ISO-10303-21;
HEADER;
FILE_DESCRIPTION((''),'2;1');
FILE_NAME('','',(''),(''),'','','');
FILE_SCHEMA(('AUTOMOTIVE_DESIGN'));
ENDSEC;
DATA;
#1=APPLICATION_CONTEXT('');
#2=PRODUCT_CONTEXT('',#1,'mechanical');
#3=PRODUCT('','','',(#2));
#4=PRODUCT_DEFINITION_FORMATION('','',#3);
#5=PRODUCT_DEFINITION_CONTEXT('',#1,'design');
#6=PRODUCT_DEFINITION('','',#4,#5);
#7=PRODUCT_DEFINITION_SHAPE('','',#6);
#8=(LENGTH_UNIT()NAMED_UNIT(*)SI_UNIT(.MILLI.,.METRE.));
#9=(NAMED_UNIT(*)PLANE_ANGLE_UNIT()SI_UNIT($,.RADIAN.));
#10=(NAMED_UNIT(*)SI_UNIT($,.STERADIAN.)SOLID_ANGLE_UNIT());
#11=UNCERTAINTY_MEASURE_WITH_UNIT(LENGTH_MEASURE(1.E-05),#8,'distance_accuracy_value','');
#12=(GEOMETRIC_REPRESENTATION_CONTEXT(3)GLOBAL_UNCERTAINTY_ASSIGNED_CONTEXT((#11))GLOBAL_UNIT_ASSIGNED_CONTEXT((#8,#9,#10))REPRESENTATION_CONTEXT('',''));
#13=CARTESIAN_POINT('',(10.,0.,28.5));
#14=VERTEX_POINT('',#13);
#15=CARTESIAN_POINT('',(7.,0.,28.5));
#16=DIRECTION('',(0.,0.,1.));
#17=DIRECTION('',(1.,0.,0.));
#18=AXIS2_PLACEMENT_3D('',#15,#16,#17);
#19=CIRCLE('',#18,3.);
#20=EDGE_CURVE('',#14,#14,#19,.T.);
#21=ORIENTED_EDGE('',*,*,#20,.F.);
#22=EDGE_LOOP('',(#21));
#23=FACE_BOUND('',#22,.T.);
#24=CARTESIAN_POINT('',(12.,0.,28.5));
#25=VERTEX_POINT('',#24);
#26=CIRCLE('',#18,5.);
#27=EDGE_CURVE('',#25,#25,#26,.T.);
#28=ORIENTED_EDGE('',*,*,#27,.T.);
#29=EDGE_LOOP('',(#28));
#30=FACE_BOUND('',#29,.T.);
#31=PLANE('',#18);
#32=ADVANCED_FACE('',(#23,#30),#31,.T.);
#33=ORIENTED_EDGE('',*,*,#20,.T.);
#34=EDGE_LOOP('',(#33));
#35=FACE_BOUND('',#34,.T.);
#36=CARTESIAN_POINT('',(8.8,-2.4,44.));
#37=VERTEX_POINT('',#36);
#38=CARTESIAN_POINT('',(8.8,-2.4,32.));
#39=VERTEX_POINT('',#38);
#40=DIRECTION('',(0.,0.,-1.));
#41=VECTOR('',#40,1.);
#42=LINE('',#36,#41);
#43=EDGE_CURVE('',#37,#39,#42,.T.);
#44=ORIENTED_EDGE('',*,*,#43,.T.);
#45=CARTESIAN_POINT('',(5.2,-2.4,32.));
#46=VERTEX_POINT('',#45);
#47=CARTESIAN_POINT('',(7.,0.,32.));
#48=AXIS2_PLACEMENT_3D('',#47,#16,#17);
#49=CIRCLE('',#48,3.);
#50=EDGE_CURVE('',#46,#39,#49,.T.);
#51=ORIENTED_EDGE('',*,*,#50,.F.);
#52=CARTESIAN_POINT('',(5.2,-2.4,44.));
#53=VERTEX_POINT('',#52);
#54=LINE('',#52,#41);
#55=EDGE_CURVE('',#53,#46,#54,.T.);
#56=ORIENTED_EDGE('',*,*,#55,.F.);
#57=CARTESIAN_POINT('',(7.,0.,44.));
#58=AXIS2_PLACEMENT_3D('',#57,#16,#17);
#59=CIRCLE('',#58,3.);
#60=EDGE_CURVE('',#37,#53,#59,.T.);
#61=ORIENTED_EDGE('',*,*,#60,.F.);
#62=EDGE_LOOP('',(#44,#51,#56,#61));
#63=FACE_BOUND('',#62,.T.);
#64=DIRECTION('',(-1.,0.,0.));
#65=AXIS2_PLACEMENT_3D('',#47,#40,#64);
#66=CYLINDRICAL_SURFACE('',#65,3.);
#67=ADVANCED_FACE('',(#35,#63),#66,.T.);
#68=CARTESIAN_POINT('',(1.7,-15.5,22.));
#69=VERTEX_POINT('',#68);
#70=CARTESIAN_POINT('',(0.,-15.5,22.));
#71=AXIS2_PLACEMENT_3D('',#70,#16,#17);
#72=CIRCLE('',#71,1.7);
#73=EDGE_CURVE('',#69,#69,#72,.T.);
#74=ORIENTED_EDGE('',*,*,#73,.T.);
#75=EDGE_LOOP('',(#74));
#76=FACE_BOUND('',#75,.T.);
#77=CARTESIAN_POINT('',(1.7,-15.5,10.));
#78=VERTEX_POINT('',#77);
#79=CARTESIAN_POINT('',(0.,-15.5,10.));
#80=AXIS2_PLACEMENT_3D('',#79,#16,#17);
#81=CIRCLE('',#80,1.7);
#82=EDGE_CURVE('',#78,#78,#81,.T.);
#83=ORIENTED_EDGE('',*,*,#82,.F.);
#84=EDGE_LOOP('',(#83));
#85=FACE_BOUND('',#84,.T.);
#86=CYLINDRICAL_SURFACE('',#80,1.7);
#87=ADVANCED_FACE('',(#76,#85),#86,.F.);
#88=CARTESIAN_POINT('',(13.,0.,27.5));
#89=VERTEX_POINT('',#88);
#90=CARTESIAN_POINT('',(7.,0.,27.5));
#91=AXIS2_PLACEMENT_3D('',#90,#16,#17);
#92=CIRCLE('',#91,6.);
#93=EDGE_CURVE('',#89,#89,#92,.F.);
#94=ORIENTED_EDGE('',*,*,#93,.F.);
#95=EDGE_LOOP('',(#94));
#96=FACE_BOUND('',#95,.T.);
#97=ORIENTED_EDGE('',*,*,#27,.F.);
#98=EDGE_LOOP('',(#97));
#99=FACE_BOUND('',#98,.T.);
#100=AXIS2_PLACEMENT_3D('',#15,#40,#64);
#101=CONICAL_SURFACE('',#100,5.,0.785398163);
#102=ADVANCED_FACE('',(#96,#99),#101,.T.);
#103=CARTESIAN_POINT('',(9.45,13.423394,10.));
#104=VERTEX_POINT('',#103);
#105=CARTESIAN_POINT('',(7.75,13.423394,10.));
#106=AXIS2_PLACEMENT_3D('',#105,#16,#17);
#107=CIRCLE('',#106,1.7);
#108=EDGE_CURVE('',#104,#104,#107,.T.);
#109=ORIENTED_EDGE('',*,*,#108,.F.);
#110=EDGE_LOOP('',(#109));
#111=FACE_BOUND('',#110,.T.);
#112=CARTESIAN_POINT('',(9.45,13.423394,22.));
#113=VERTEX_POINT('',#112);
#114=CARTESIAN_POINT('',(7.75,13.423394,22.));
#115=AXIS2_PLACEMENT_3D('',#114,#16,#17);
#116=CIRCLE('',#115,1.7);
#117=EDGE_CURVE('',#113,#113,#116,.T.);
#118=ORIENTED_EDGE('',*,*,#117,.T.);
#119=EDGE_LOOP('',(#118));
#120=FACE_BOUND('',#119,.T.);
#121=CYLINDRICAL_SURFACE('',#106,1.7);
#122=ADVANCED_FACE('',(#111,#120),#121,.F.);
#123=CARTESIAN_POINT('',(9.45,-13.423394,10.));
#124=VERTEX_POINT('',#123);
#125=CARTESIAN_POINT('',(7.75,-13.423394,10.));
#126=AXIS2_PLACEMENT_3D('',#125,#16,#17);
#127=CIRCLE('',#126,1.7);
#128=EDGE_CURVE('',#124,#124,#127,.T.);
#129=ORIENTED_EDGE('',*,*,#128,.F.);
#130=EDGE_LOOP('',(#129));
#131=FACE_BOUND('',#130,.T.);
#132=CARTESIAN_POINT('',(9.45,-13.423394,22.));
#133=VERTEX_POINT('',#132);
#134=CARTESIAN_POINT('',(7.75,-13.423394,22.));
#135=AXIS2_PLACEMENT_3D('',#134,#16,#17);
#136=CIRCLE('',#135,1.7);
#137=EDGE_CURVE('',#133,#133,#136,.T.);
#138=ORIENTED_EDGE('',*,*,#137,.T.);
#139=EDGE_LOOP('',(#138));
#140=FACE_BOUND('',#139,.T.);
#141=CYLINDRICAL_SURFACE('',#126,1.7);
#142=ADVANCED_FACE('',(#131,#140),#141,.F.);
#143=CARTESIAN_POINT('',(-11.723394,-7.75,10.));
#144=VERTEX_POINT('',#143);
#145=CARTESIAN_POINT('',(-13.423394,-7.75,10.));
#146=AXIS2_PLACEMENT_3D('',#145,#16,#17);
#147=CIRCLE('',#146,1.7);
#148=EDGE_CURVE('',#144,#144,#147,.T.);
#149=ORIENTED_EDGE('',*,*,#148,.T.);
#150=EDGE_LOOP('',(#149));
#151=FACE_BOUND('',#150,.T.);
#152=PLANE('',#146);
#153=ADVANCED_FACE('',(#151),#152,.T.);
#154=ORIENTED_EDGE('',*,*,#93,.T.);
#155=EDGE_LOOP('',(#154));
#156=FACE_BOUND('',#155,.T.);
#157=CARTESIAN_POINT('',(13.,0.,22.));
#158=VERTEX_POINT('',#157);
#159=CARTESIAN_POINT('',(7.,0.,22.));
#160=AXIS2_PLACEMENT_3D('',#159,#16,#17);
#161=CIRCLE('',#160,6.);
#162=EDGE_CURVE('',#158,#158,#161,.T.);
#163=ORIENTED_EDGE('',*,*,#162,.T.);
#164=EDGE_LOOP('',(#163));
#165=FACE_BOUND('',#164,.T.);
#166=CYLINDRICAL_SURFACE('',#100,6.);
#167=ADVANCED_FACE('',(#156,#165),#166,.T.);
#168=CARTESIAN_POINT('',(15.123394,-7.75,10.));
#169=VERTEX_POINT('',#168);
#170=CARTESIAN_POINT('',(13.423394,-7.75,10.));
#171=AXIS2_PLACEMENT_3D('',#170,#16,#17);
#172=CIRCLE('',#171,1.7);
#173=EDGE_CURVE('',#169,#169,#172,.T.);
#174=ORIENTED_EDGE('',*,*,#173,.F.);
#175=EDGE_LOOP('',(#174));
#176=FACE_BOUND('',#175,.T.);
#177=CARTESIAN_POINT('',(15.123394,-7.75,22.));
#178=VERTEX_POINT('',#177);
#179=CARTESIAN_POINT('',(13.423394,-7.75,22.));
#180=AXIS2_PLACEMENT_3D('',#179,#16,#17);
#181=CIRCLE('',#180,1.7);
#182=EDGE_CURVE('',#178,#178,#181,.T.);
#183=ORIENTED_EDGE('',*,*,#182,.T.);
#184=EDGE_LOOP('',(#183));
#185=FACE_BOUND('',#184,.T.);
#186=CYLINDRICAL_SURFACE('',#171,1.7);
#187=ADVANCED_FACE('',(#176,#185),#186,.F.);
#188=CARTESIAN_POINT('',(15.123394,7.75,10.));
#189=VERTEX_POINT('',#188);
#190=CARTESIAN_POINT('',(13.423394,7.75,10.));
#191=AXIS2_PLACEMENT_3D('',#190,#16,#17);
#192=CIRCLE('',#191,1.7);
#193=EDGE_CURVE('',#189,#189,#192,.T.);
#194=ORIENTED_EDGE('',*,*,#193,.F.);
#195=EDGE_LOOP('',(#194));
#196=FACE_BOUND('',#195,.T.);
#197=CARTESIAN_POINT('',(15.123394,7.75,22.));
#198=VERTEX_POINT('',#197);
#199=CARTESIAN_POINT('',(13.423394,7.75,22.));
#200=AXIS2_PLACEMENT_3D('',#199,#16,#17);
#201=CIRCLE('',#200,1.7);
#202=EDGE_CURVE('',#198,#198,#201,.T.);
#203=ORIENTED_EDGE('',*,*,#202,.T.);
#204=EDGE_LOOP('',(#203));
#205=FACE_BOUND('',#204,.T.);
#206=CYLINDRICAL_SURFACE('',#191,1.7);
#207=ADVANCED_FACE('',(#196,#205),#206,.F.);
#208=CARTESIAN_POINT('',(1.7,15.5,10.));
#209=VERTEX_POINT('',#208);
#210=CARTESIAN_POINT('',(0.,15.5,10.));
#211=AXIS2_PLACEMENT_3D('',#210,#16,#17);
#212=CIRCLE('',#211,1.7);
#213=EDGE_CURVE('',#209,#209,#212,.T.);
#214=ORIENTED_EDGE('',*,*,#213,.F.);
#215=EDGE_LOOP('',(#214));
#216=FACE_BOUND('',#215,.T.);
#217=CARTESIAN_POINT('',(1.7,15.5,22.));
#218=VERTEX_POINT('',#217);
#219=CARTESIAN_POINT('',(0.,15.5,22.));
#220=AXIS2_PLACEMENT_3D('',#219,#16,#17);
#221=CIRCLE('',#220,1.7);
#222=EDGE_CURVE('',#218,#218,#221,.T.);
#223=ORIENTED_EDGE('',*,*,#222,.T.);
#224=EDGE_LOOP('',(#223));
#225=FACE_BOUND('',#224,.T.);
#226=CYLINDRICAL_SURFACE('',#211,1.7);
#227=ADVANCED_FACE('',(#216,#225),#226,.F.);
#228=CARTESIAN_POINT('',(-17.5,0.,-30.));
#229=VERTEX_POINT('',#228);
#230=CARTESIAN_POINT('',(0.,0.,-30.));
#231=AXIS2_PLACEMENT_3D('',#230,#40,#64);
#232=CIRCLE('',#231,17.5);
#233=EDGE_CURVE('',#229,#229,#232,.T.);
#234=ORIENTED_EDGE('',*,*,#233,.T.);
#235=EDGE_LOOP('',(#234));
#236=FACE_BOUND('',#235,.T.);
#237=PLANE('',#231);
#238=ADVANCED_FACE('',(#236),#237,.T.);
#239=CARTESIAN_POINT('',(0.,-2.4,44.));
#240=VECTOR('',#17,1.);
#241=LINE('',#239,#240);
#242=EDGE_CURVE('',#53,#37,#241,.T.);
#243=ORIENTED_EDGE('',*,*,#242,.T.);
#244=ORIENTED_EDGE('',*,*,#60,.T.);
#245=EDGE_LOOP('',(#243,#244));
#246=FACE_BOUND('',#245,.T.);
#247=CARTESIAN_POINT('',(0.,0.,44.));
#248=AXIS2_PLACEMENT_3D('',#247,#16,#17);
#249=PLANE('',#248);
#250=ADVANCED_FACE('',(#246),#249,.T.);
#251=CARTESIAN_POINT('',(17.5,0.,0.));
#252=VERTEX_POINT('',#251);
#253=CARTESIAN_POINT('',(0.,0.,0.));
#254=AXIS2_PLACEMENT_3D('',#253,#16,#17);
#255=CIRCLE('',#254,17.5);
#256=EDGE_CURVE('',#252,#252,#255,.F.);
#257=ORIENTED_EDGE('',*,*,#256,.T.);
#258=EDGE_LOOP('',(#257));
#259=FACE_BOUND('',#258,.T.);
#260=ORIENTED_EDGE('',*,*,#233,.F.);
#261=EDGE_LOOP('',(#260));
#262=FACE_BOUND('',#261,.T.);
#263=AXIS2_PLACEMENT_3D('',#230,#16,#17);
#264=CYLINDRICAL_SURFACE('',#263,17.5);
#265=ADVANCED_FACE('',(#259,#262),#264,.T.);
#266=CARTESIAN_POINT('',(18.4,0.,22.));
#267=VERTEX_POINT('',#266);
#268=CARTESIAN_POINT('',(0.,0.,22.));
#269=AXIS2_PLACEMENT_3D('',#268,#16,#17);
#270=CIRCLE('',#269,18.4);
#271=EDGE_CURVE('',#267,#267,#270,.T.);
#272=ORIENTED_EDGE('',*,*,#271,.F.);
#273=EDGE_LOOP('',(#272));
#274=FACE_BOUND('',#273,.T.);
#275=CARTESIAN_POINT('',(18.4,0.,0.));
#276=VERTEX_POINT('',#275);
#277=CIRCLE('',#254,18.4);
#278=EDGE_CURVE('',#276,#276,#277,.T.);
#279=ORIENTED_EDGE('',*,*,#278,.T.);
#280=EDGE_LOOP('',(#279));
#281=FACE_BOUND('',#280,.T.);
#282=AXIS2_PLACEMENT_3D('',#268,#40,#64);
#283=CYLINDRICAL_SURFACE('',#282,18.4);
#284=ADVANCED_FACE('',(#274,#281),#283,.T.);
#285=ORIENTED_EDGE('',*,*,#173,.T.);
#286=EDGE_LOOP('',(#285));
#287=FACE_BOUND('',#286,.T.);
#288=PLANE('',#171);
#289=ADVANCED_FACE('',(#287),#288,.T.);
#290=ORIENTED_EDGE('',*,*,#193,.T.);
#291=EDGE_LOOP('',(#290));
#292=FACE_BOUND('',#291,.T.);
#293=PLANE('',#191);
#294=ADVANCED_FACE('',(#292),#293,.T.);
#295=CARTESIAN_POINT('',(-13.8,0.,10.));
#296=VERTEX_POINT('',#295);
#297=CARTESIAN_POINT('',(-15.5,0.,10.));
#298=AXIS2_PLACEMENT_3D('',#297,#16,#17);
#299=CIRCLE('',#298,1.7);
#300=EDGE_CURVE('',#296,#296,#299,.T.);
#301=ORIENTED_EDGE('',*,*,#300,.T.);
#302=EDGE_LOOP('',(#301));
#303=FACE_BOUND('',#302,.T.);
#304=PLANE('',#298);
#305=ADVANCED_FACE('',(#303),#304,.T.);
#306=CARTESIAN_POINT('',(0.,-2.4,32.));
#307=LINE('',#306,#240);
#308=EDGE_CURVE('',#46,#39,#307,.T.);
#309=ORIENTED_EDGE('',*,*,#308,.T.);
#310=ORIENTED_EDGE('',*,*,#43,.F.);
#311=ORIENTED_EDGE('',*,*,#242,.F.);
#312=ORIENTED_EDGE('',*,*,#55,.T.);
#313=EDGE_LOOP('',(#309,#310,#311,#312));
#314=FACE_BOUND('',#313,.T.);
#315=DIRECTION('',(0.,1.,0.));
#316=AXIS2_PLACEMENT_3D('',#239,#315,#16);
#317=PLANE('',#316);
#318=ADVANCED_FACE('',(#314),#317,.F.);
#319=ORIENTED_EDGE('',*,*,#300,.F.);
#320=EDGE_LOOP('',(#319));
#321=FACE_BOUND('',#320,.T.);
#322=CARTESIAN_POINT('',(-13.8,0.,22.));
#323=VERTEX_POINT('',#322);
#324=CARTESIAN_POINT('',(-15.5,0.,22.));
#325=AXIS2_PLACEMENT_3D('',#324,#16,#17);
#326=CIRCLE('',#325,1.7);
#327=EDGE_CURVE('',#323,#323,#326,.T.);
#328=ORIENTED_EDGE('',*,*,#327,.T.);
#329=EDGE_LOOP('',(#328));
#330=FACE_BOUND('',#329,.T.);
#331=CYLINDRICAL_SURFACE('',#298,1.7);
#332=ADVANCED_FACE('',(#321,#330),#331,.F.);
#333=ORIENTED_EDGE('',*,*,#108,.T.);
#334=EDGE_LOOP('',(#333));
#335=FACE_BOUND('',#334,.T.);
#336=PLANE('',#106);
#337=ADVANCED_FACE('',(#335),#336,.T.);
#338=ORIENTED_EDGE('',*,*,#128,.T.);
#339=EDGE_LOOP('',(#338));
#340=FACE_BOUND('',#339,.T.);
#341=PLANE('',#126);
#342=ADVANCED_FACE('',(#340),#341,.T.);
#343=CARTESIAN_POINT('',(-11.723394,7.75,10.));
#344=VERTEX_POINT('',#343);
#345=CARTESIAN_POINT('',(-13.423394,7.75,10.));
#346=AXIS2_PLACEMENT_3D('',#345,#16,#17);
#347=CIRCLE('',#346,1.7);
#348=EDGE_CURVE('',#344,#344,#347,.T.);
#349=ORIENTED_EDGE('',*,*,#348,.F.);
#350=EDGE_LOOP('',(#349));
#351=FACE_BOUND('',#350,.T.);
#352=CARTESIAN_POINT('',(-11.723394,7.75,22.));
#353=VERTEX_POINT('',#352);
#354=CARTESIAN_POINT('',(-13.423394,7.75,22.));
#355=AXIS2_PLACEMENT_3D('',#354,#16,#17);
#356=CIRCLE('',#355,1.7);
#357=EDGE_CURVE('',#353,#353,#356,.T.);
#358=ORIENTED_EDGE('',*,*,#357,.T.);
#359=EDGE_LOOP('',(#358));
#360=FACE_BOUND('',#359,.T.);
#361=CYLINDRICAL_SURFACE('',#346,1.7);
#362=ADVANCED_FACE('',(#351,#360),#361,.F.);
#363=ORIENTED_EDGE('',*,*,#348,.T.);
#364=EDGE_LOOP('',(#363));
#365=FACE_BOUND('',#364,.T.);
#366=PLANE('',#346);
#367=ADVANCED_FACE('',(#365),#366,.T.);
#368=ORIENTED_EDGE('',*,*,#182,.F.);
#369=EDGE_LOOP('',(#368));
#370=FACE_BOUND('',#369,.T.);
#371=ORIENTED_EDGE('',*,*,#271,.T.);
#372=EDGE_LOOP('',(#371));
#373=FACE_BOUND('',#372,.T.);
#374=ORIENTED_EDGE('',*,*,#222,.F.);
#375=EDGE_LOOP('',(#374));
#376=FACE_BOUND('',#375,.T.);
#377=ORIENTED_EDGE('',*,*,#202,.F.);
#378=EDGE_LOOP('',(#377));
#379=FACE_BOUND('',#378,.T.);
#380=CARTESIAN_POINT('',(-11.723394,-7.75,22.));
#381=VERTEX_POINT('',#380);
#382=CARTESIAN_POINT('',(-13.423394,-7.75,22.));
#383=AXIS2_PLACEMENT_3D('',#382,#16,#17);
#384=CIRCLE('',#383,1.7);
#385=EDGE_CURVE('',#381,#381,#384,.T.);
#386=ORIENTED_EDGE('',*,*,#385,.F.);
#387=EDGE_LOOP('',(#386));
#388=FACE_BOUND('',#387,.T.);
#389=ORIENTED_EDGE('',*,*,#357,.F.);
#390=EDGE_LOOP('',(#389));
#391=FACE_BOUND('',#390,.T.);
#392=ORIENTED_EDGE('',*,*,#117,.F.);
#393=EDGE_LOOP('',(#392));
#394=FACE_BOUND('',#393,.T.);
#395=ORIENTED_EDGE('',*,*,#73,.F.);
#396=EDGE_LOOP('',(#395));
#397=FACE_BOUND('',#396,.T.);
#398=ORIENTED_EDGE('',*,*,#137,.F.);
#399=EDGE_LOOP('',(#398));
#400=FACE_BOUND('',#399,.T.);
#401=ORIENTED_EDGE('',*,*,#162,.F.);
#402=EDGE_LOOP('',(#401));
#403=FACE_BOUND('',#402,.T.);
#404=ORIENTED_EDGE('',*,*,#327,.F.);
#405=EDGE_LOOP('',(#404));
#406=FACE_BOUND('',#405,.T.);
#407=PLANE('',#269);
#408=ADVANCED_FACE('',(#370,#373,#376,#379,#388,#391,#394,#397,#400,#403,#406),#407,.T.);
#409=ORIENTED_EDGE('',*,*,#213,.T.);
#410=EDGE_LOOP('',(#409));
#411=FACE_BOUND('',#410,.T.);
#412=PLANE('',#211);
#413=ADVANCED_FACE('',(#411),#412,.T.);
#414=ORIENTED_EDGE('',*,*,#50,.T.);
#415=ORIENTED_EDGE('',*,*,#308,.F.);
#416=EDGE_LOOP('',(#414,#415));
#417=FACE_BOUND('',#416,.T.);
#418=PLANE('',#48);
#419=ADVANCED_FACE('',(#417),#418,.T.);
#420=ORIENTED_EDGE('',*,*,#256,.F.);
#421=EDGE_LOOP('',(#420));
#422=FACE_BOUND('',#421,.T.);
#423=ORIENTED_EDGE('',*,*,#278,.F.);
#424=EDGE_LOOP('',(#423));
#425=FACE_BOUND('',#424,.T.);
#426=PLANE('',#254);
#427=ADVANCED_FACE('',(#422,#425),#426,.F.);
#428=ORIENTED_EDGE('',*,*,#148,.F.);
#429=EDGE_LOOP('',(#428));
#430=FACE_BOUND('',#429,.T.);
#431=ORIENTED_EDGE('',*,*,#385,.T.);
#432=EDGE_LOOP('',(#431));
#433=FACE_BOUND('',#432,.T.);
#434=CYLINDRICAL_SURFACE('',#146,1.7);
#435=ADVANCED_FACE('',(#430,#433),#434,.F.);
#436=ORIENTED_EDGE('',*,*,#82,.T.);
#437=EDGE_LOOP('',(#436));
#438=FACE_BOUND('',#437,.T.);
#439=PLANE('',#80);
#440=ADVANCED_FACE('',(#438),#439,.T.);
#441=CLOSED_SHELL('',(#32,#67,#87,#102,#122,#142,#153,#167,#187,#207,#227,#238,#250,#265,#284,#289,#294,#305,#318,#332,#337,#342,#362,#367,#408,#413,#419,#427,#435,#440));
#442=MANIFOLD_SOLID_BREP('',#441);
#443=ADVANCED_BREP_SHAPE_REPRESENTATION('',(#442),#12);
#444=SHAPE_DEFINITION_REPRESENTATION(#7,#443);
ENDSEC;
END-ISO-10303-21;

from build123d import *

# Parameters (mm, degrees)
SKETCH1_R           = 18.4
BOSS_EXTRUDE1_DEPTH = 22
SKETCH2_R           = 17.5
BOSS_EXTRUDE2_DEPTH = 30
SKETCH3_R           = 6
BOSS_EXTRUDE4_DEPTH = 6.5
CHAMFER1_SIZE       = 1
SKETCH4_R           = 3
BOSS_EXTRUDE5_DEPTH = 3.5
BOSS_EXTRUDE6_DEPTH = 12
SKETCH6_R           = 1.7
CUT_EXTRUDE1_DEPTH  = 12


with BuildPart() as part:
    # Sketch1 → Boss-Extrude1 (new body)
    with BuildSketch(Plane.XY):
        Circle(SKETCH1_R)
    extrude(amount=BOSS_EXTRUDE1_DEPTH)

    # Sketch2 → Boss-Extrude2 (add)
    with BuildSketch(Plane(origin=(0, 0, 0), x_dir=(-1, 0, 0), z_dir=(0, 0, -1))):
        Circle(SKETCH2_R)
    extrude(amount=BOSS_EXTRUDE2_DEPTH)

    # Sketch3 → Boss-Extrude4 (add)
    with BuildSketch(Plane.XY.offset(22)):
        with Locations((7, 0)):
            Circle(SKETCH3_R)
    extrude(amount=BOSS_EXTRUDE4_DEPTH)

    # Chamfer1
    chamfer1_edges = [part.edges().sort_by_distance(p)[0] for p in [
        (1, 0, 28.5),
    ]]
    chamfer(chamfer1_edges, length=CHAMFER1_SIZE)

    # Sketch4 → Boss-Extrude5 (add)
    with BuildSketch(Plane.XY.offset(28.5)):
        with Locations((7, 0)):
            Circle(SKETCH4_R)
    extrude(amount=BOSS_EXTRUDE5_DEPTH)

    # Sketch5 → Boss-Extrude6 (add)
    with BuildSketch(Plane.XY.offset(32)):
        with BuildLine():
            ThreePointArc((10, 0), (5.658359214, 2.683281573), (5.2, -2.4))
            Line((5.2, -2.4), (8.8, -2.4))
            ThreePointArc((8.8, -2.4), (9.683281573, -1.341640786), (10, 0))
        make_face()
    extrude(amount=BOSS_EXTRUDE6_DEPTH)

    # Sketch6 → Cut-Extrude1 (cut)
    with BuildSketch(Plane.XY.offset(22)):
        with Locations((0, 15.5)):
            Circle(SKETCH6_R)
        with Locations((13.423393759, 7.75)):
            Circle(SKETCH6_R)
        with Locations((13.423393759, -7.75)):
            Circle(SKETCH6_R)
        with Locations((0, -15.5)):
            Circle(SKETCH6_R)
        with Locations((-13.423393759, -7.75)):
            Circle(SKETCH6_R)
        with Locations((-13.423393759, 7.75)):
            Circle(SKETCH6_R)
        with Locations((-15.5, 0)):
            Circle(SKETCH6_R)
        with Locations((7.75, 13.423393759)):
            Circle(SKETCH6_R)
        with Locations((7.75, -13.423393759)):
            Circle(SKETCH6_R)
    extrude(amount=-CUT_EXTRUDE1_DEPTH, mode=Mode.SUBTRACT)


solid = part.part
